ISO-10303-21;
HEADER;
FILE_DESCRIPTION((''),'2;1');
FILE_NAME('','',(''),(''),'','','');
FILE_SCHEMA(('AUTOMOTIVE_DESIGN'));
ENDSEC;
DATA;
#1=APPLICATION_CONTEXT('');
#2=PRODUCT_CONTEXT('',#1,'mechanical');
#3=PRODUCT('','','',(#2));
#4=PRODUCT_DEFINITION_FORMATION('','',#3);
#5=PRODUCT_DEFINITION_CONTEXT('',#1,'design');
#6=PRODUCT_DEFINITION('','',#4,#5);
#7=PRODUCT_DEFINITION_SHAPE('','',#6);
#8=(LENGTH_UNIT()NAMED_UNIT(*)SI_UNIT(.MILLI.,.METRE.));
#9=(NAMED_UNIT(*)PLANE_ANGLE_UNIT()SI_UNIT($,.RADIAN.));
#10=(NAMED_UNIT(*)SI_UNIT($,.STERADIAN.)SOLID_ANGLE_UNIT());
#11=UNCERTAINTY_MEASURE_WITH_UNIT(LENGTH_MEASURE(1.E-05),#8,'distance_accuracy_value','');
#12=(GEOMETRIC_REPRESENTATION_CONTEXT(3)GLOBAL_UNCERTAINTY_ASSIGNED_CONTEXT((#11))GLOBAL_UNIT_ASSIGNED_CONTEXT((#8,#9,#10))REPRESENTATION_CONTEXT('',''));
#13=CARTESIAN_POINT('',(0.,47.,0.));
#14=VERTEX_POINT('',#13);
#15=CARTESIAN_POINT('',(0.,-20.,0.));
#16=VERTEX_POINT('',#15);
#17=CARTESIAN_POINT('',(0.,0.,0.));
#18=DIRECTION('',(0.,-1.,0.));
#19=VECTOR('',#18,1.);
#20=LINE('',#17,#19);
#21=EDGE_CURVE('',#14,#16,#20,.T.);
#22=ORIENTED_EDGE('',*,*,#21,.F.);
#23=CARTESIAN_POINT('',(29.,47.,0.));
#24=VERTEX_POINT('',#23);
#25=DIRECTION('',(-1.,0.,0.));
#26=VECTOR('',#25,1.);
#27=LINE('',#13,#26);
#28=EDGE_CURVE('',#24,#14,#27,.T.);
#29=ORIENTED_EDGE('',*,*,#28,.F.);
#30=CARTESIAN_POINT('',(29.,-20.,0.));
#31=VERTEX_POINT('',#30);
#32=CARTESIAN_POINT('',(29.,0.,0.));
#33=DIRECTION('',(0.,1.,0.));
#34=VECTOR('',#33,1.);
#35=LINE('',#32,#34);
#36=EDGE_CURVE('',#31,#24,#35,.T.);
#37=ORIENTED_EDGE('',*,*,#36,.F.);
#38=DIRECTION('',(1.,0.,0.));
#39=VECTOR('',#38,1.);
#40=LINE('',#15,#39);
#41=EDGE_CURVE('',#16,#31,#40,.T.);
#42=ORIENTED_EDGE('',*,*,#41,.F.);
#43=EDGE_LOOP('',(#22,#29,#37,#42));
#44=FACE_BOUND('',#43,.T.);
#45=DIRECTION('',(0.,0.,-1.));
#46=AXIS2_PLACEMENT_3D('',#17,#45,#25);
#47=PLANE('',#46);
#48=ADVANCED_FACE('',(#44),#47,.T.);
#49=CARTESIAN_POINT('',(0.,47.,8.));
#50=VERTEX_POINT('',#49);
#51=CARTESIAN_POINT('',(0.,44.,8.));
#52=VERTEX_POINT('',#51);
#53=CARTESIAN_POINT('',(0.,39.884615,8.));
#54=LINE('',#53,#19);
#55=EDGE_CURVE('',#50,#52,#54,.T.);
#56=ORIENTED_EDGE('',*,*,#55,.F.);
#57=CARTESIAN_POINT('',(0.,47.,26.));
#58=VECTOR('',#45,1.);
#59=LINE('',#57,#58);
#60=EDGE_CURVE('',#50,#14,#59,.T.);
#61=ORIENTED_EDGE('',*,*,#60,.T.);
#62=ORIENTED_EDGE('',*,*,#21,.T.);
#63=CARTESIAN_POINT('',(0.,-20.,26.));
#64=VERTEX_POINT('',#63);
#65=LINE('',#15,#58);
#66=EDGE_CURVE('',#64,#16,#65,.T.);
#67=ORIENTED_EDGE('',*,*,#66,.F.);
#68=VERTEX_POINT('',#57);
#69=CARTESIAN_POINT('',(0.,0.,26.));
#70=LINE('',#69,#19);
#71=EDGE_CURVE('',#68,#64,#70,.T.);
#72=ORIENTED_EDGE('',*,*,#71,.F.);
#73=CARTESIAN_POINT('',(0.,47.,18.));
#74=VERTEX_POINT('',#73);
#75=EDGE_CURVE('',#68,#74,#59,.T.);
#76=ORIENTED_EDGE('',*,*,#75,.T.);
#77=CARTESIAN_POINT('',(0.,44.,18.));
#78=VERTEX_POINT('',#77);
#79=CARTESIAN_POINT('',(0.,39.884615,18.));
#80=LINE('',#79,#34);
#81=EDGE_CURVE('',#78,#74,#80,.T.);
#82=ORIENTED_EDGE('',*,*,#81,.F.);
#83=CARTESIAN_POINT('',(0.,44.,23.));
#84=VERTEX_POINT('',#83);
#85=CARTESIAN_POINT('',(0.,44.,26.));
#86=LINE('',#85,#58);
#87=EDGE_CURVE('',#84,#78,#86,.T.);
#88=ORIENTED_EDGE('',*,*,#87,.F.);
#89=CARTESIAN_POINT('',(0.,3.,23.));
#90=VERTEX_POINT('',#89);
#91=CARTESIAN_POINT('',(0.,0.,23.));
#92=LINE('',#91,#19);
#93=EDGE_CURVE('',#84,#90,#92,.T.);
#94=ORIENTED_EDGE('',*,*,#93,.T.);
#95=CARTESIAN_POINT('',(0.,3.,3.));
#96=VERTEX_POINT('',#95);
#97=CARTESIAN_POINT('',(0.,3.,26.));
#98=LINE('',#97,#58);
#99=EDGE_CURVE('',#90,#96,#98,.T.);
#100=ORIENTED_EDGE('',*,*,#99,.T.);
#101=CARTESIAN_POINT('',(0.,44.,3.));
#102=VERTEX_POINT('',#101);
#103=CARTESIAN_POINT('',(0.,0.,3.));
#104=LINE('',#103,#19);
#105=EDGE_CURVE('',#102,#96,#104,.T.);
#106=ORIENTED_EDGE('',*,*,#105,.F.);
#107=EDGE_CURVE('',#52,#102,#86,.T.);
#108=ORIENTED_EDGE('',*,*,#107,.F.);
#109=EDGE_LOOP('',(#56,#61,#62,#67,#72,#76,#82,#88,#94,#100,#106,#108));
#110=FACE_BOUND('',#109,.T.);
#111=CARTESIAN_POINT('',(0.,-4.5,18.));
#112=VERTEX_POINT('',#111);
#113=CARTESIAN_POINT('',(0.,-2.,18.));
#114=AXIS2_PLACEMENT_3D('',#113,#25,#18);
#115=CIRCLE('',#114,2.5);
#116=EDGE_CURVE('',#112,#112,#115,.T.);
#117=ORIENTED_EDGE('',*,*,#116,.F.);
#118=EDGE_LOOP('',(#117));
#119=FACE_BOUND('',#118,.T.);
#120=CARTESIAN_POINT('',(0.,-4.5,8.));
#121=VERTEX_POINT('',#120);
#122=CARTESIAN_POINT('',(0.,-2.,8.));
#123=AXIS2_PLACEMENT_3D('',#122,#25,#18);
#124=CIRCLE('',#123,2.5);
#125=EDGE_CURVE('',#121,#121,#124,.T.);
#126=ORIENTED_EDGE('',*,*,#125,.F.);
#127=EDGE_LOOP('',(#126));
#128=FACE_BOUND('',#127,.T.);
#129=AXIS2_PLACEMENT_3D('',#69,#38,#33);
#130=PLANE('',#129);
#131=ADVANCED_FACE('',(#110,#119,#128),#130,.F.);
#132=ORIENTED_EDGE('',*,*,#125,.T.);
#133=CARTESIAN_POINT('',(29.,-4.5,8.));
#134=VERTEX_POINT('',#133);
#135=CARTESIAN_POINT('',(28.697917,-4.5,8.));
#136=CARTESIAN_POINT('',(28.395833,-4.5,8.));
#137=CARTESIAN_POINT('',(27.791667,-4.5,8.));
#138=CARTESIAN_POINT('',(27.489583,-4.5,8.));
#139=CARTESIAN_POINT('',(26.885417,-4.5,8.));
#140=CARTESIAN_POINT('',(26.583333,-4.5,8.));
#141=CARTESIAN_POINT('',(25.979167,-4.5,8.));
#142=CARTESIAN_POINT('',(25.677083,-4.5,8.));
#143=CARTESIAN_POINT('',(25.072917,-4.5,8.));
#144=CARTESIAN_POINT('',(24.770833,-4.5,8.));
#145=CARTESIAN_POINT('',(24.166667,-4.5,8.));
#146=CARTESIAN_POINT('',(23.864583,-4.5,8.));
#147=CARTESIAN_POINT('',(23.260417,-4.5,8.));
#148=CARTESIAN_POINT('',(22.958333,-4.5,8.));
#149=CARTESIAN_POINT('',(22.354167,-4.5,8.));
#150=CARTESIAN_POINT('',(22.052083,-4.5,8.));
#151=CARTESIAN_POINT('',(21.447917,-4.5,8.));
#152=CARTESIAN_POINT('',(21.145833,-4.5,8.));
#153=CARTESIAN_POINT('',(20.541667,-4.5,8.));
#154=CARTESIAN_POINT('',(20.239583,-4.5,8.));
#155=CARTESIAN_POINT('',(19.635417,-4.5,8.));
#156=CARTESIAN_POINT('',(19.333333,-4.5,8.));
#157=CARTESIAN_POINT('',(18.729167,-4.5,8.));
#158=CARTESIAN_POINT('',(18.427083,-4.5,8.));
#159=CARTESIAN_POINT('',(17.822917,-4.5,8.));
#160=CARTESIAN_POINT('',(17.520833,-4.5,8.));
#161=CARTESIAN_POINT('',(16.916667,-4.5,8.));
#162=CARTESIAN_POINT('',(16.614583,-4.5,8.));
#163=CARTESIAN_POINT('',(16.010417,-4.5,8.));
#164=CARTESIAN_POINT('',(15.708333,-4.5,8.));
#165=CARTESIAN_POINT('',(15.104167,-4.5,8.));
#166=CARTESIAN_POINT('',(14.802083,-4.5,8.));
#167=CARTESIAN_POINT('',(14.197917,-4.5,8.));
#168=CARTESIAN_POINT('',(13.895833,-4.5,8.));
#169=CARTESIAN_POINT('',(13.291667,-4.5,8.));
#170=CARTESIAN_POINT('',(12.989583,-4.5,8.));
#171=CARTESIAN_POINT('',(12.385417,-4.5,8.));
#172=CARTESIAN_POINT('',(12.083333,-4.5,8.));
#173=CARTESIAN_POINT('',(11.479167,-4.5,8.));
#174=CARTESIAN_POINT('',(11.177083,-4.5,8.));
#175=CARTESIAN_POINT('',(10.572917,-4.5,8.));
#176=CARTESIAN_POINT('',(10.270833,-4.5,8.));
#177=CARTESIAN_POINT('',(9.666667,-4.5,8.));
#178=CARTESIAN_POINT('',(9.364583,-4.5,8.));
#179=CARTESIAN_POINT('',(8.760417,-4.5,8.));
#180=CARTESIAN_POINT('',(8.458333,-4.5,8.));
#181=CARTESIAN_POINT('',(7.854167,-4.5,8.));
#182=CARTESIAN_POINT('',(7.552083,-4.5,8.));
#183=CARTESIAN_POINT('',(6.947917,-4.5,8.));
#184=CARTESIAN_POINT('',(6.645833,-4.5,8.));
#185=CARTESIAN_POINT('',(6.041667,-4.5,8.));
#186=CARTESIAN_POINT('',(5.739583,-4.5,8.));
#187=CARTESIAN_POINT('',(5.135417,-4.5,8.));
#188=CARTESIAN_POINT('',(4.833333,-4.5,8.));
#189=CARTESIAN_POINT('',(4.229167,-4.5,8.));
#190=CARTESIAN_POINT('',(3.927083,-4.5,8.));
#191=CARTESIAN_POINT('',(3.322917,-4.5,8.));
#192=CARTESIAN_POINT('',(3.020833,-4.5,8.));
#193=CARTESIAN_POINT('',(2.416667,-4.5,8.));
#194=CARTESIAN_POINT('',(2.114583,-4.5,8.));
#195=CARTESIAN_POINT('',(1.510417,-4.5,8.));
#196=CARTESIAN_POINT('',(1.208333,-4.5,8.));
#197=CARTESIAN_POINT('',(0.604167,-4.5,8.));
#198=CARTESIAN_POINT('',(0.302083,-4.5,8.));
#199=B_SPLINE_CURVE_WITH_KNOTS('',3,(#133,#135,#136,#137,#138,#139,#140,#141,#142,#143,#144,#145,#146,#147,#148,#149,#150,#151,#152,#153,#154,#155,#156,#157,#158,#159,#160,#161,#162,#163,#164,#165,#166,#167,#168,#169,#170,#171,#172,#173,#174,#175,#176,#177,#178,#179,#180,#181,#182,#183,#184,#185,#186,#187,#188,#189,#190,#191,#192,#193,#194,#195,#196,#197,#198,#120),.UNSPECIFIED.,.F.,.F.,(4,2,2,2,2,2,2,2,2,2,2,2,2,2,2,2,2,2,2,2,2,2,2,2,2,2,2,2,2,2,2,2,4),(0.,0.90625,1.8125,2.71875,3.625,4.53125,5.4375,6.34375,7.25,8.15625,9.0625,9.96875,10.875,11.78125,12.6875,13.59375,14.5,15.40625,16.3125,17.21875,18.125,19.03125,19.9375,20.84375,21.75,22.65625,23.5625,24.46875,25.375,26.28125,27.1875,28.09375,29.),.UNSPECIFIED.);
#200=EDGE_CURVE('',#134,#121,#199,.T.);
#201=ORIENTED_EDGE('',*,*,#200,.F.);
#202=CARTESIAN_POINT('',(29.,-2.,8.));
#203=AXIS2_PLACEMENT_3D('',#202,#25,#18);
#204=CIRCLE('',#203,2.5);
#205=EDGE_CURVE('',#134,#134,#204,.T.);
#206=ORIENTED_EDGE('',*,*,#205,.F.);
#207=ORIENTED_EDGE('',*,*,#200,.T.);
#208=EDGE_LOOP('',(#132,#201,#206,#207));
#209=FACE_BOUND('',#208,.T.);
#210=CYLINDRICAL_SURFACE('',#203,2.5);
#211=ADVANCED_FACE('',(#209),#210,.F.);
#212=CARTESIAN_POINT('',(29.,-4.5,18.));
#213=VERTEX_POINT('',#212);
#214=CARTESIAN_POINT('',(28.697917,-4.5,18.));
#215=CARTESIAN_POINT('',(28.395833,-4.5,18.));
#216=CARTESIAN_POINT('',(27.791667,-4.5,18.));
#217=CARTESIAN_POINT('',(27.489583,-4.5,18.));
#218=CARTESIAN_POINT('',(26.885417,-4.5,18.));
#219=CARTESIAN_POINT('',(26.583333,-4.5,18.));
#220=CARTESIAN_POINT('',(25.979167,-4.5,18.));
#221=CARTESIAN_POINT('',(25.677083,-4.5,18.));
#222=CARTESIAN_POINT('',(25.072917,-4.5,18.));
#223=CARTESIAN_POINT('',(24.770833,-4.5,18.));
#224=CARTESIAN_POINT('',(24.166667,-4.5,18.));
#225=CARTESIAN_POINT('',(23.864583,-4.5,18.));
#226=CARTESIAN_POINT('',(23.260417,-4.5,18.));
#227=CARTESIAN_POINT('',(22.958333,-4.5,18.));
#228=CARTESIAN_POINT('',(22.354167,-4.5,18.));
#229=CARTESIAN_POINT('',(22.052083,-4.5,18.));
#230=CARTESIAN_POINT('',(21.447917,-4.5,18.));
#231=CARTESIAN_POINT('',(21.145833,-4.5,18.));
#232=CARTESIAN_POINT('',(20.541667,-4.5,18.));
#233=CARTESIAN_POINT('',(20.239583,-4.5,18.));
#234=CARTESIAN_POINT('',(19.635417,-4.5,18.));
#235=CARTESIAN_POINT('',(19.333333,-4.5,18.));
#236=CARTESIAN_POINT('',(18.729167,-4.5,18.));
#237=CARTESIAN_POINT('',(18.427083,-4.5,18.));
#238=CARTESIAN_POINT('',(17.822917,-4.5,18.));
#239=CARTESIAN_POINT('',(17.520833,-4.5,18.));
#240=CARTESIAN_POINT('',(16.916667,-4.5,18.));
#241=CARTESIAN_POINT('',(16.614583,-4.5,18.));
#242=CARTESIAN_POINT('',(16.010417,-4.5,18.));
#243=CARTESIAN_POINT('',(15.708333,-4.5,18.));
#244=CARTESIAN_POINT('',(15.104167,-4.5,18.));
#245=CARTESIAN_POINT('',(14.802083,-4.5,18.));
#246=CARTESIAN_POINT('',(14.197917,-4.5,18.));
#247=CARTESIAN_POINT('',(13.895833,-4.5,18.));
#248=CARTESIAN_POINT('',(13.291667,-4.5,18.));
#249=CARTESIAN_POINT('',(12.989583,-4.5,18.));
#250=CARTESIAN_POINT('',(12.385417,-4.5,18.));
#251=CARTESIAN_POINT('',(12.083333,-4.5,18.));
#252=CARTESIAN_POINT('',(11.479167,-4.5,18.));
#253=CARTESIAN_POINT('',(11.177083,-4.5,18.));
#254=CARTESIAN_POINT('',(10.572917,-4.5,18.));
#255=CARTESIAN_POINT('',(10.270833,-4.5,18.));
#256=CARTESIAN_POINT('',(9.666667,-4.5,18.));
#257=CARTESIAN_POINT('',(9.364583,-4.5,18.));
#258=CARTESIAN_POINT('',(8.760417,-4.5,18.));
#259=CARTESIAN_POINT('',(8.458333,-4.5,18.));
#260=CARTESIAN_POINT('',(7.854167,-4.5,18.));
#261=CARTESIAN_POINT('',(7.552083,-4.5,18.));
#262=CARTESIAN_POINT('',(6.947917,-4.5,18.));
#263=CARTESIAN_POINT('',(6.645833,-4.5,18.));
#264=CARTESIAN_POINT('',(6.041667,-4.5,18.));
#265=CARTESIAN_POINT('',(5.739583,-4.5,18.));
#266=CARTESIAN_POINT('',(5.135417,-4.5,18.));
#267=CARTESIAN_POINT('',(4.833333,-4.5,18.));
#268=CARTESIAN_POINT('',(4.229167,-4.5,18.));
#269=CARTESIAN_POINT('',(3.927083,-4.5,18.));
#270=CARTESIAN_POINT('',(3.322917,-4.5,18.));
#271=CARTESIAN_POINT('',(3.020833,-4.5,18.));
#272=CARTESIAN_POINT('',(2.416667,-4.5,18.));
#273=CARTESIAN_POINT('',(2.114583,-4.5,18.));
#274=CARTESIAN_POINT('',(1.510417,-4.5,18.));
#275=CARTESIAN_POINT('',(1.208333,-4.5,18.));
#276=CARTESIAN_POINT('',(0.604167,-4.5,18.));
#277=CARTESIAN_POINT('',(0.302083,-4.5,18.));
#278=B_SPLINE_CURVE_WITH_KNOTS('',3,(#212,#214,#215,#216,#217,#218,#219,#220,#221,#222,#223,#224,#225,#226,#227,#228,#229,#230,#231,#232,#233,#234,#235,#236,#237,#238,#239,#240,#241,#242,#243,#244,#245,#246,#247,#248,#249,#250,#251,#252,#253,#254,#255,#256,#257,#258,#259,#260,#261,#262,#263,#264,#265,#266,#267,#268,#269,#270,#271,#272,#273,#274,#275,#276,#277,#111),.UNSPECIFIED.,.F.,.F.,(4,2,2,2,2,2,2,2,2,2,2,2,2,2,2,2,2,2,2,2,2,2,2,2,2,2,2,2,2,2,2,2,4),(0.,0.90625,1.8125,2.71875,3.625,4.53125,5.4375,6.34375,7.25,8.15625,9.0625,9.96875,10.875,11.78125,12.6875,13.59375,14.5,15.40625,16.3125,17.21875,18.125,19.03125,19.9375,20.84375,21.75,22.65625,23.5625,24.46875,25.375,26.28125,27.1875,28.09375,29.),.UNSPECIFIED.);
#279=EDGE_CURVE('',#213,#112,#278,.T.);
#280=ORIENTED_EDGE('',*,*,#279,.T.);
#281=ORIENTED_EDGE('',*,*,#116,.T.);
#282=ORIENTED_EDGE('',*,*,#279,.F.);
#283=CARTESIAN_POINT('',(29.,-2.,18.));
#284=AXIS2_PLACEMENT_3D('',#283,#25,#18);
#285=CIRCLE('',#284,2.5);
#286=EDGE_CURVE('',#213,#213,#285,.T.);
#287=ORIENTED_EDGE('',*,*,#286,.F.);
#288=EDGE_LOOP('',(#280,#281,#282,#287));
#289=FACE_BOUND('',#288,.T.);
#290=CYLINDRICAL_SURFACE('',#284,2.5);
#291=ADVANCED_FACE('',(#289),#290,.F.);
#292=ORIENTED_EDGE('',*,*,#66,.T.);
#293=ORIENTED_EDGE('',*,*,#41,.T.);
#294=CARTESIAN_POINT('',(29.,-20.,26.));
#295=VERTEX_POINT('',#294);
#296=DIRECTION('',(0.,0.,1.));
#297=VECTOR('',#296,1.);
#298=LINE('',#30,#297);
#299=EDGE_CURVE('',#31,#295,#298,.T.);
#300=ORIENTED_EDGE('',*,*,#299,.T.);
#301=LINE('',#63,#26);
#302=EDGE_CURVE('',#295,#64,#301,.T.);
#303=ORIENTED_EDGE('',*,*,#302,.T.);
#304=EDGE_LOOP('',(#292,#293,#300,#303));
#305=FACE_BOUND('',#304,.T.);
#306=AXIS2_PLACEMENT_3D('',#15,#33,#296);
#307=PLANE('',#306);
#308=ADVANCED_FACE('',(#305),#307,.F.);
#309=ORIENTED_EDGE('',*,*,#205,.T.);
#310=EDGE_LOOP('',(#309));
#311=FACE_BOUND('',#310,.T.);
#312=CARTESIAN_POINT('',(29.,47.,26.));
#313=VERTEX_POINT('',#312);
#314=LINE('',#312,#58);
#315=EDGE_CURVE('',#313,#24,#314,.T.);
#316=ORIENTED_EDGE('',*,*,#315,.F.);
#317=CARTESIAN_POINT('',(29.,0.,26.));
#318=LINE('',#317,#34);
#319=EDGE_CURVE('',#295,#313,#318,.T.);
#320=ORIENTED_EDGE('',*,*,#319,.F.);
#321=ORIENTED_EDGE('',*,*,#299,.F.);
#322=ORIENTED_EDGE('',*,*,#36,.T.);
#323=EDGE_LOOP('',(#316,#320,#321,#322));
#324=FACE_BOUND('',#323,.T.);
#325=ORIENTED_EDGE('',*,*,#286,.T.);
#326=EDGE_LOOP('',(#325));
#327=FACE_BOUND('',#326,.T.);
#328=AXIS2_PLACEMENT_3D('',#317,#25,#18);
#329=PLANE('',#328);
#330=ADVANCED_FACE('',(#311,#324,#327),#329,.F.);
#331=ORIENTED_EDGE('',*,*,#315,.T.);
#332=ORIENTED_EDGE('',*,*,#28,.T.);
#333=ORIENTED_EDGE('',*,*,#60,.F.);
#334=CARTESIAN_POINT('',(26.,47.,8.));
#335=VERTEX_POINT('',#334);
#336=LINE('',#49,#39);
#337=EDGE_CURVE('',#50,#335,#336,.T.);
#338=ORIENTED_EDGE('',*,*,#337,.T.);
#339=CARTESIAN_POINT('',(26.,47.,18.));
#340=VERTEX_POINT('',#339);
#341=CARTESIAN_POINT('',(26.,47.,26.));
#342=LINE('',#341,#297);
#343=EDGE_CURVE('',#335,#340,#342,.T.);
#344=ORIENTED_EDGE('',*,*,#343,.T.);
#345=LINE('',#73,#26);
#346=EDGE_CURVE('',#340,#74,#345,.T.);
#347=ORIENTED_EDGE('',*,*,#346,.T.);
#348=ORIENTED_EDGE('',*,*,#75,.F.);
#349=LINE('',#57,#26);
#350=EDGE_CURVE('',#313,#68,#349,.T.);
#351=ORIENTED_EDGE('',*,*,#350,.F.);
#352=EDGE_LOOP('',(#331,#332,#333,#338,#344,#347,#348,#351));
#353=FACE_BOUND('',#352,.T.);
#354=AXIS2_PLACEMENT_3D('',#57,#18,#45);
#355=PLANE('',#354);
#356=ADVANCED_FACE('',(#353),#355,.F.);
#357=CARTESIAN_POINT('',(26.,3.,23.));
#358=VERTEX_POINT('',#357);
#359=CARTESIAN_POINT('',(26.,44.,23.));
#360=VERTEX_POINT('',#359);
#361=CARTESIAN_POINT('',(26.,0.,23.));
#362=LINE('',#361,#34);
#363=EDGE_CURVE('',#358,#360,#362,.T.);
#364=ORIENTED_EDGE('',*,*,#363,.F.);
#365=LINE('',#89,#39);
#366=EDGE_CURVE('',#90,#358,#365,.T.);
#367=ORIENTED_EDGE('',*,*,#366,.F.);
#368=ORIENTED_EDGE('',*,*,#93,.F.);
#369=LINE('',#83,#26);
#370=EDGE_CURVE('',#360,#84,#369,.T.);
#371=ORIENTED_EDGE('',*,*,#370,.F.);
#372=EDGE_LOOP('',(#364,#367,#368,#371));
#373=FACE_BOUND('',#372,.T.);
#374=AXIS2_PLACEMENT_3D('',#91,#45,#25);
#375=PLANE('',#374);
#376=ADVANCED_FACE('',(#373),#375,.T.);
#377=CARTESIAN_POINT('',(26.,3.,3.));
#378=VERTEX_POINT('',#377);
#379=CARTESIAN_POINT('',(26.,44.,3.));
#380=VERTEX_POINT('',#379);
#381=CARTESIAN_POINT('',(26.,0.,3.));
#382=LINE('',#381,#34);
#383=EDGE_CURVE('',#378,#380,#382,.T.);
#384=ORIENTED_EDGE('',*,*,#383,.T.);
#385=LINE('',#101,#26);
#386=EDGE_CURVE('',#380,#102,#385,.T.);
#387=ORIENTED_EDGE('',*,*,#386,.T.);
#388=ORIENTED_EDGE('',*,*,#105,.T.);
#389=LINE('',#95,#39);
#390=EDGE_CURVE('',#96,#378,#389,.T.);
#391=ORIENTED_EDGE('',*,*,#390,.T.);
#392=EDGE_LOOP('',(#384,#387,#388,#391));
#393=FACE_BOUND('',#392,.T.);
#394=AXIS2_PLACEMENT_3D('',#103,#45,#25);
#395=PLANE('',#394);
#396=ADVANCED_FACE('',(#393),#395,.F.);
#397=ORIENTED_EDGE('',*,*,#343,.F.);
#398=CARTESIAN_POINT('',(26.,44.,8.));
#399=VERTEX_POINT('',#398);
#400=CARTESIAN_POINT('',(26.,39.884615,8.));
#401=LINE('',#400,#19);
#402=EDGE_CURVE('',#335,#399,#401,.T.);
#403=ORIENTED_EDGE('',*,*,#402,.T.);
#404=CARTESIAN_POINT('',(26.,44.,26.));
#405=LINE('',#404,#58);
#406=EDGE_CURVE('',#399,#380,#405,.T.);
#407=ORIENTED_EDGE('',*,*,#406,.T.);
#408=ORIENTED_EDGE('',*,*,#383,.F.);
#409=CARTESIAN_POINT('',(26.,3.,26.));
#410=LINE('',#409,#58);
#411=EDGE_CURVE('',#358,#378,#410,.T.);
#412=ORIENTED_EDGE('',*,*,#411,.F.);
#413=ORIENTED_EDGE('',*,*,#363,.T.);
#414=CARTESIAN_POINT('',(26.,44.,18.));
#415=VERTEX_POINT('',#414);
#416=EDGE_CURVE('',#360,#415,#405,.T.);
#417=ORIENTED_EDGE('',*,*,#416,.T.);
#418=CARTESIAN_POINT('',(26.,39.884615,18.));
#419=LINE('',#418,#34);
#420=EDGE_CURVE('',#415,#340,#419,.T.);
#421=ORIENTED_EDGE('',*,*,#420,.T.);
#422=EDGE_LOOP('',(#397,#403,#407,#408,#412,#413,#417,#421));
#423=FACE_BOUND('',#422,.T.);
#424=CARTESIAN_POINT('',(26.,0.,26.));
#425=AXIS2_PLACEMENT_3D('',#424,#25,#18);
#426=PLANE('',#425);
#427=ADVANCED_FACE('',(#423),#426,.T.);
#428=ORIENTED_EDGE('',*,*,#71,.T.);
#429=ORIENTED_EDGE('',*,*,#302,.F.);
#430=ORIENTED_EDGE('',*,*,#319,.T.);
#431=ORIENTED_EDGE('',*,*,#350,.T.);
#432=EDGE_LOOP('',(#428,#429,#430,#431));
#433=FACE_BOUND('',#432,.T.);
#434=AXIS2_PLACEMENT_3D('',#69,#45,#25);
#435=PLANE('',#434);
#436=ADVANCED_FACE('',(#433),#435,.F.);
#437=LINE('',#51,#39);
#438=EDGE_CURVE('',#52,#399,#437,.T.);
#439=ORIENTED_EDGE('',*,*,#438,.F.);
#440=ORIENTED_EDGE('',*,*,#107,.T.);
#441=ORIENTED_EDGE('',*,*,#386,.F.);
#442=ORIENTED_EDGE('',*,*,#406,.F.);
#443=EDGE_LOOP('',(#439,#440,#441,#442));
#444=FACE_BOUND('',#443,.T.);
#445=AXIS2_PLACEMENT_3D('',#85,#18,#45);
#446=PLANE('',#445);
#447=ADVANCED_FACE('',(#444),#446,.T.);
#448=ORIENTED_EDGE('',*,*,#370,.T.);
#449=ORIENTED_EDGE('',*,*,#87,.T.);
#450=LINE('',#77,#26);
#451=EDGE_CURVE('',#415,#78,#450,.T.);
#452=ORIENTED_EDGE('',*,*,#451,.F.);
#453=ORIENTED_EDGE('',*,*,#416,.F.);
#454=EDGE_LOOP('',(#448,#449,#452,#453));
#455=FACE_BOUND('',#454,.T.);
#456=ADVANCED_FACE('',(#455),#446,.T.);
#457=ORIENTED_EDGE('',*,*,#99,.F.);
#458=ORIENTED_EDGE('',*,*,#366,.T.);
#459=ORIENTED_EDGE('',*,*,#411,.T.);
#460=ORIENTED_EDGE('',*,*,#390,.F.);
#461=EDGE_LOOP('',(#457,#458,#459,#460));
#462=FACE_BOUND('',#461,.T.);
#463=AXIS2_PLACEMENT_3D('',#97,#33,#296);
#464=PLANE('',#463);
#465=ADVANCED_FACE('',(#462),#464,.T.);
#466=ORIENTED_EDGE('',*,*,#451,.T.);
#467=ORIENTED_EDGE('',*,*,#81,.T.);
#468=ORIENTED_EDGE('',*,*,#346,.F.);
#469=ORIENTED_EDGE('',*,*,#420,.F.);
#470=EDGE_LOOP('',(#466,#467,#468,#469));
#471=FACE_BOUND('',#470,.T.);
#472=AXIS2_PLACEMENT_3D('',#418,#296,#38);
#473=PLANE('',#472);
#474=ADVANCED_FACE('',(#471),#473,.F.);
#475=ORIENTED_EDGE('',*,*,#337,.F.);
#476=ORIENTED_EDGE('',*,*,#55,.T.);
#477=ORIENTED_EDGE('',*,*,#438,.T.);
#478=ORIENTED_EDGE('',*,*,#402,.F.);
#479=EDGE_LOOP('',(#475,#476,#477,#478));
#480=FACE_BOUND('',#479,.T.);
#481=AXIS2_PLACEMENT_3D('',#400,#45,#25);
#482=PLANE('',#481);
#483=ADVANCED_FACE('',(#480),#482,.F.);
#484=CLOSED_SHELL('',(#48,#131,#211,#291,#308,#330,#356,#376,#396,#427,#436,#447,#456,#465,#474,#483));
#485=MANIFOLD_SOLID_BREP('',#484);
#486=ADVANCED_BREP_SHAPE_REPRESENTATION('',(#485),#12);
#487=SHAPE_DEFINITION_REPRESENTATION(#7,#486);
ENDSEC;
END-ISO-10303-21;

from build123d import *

# Parameters (mm, degrees)
SKETCH1_W           = 29
SKETCH1_H           = 47
BOSS_EXTRUDE1_DEPTH = 26
SHELL1_T            = -3
SKETCH2_W           = 10
SKETCH2_H           = 8.23076923
CUT_EXTRUDE1_DEPTH  = 26
SKETCH3_W           = 29
SKETCH3_H           = 26
BOSS_EXTRUDE2_DEPTH = 20
SKETCH4_R           = 2.5
CUT_EXTRUDE2_DEPTH  = 62.040969848


with BuildPart() as part:
    # Sketch1 → Boss-Extrude1 (new body)
    with BuildSketch(Plane.XY):
        with Locations((14.5, 23.5)):
            Rectangle(SKETCH1_W, SKETCH1_H)
    extrude(amount=BOSS_EXTRUDE1_DEPTH)

    # Shell1
    shell1_openings = [part.faces().sort_by_distance(p)[0] for p in [
        (0, 23.5, 13),
    ]]
    offset(amount=SHELL1_T, openings=shell1_openings, kind=Kind.INTERSECTION)

    # Sketch2 → Cut-Extrude1 (cut)
    with BuildSketch(Plane.ZY):
        with Locations((13, 44)):
            Rectangle(SKETCH2_W, SKETCH2_H)
    extrude(amount=-CUT_EXTRUDE1_DEPTH, mode=Mode.SUBTRACT)

    # Sketch3 → Boss-Extrude2 (add)
    with BuildSketch(Plane.XZ):
        with Locations((14.5, 13)):
            Rectangle(SKETCH3_W, SKETCH3_H)
    extrude(amount=BOSS_EXTRUDE2_DEPTH)

    # Sketch4 → Cut-Extrude2 (cut, through all)
    with BuildSketch(Plane.ZY):
        with Locations(Location((8, -2, 0), (0, 0, 270))):
            Circle(SKETCH4_R)
        with Locations(Location((18, -2, 0), (0, 0, 270))):
            Circle(SKETCH4_R)
    extrude(amount=-CUT_EXTRUDE2_DEPTH, mode=Mode.SUBTRACT)


solid = part.part
